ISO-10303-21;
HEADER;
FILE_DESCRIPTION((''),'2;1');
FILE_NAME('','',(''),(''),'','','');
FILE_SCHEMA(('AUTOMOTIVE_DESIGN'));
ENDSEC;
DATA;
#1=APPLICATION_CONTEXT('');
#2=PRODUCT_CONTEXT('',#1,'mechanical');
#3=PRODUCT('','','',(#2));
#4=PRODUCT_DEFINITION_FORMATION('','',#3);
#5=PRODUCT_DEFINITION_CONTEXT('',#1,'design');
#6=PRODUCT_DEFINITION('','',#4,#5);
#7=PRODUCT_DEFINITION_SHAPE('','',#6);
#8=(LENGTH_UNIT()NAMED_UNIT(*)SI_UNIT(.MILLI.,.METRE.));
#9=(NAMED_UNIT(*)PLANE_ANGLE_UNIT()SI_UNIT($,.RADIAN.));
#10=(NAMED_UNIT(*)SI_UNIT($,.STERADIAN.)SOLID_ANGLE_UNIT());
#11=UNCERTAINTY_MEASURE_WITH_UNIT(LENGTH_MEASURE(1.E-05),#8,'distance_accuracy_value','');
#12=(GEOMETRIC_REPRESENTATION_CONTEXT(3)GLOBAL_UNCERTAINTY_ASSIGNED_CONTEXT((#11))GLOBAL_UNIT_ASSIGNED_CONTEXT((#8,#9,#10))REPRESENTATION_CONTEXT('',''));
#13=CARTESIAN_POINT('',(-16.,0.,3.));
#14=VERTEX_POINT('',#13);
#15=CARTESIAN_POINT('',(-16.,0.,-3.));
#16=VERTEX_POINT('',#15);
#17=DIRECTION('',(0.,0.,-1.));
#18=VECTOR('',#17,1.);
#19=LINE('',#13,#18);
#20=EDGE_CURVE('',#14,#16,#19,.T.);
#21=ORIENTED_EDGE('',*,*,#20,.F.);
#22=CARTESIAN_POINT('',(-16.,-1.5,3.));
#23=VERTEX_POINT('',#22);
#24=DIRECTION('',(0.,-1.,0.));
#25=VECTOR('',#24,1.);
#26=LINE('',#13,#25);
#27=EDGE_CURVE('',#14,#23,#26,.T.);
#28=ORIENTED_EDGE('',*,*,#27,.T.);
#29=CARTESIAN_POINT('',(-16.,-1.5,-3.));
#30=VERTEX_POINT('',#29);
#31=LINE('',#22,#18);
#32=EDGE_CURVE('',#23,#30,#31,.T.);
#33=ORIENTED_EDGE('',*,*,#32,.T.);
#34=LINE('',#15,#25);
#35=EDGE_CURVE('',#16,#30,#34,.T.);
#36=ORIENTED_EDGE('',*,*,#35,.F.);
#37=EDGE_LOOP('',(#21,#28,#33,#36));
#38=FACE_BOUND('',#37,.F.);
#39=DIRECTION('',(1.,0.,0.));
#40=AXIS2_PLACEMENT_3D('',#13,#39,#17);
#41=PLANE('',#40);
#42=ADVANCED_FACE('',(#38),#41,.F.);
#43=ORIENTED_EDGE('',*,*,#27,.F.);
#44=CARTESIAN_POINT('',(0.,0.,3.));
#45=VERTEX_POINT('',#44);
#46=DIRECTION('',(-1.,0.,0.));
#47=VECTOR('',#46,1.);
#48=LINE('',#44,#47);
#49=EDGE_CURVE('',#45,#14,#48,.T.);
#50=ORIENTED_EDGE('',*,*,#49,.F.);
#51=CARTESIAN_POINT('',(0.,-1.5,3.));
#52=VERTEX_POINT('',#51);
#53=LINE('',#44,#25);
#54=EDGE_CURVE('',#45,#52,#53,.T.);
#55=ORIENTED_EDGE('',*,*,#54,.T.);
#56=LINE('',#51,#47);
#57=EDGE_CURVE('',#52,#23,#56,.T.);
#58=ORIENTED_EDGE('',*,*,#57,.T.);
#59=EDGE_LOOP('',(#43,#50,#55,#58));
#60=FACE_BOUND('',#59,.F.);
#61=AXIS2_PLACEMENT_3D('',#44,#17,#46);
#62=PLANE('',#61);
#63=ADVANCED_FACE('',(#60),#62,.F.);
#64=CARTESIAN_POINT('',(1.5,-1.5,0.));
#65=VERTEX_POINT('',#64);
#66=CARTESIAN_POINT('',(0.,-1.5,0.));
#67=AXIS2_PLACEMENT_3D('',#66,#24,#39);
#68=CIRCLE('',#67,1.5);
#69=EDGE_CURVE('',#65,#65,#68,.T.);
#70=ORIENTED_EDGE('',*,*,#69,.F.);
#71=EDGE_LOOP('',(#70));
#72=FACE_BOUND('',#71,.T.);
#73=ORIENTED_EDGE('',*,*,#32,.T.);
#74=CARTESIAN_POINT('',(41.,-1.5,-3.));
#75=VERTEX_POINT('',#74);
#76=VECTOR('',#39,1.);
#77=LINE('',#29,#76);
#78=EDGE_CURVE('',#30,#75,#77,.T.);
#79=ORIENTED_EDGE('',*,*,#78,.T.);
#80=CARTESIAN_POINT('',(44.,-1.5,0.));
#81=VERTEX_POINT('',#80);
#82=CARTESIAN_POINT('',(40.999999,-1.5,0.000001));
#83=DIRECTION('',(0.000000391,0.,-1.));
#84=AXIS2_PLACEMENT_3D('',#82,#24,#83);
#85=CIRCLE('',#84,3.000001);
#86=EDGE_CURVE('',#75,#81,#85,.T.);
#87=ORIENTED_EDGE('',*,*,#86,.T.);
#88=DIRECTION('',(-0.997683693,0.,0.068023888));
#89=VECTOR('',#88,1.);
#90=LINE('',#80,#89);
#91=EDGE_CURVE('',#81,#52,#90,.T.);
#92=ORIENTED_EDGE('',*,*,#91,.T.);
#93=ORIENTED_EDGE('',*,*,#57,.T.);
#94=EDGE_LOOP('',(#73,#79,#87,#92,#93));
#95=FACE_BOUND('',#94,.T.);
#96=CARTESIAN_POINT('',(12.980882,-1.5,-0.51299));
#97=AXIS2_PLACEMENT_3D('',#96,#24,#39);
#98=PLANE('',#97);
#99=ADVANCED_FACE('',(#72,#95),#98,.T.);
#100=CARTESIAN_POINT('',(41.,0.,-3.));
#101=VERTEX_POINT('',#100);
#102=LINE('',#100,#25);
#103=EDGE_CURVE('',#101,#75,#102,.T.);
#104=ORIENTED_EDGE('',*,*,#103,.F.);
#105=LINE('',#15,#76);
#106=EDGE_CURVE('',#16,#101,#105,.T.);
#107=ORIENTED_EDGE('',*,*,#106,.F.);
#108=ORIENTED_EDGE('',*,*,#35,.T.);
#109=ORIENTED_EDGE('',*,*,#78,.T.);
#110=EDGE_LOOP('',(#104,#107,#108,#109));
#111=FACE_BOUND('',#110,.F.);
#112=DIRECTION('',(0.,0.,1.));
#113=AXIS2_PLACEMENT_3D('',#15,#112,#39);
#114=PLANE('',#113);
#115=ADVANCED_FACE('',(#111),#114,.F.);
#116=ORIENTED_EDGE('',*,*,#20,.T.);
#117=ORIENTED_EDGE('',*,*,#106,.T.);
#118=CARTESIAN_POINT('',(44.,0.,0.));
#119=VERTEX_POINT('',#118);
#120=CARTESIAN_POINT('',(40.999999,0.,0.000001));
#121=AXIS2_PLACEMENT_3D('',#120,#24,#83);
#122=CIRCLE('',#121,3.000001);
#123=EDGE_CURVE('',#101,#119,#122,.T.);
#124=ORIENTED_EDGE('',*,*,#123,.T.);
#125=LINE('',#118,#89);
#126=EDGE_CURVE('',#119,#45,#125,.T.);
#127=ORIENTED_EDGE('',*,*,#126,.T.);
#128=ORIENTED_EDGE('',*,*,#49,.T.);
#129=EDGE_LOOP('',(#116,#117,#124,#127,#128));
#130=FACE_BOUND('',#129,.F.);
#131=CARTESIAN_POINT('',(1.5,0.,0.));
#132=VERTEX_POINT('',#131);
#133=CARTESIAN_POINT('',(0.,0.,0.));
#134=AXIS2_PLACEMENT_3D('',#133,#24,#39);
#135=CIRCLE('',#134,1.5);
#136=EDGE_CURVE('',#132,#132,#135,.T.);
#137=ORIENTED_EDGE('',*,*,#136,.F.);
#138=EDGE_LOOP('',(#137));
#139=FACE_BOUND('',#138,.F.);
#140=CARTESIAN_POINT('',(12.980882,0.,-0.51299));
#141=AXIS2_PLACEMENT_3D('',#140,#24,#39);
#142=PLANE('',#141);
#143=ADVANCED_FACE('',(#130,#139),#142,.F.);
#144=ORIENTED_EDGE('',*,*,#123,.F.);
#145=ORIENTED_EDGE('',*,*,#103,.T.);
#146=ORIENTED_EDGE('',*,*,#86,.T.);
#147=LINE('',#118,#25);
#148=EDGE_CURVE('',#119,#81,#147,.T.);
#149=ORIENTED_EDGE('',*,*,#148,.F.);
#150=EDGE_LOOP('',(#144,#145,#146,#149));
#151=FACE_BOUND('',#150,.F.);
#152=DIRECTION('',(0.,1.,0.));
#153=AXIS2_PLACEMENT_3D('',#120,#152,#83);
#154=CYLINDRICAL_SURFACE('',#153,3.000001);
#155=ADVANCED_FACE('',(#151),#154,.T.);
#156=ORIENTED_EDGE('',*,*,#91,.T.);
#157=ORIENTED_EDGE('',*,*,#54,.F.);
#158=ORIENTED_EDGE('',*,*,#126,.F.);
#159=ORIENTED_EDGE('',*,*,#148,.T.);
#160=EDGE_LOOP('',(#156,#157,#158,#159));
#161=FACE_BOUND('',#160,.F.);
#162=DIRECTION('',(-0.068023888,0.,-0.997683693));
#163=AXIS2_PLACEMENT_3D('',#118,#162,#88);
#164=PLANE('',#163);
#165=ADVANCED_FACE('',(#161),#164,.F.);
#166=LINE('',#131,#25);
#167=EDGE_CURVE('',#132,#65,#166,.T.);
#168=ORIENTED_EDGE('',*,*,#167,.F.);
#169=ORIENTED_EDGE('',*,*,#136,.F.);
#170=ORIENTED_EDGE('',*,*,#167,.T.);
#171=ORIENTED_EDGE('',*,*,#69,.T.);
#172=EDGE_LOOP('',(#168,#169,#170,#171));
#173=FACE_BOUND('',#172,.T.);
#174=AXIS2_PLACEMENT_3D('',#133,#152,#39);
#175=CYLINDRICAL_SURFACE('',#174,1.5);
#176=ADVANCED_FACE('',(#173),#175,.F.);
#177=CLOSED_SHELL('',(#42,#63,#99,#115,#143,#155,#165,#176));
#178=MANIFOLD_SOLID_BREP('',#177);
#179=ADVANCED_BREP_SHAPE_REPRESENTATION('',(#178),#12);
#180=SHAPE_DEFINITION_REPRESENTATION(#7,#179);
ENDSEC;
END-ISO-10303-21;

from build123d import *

# Parameters (mm, degrees)
F0_R     = 1.5
F1_DEPTH = 1.5


with BuildPart() as f1:
    # F0 (on Front) → F1 (new body)
    with BuildSketch(Plane.XZ):
        with BuildLine():
            Line((0, 3), (-16, 3))
            Line((-16, 3), (-16, -3))
            Line((-16, -3), (41, -3))
            ThreePointArc((41, -3), (43.12132, -2.12132), (44, 0))
            Line((44, 0), (0, 3))
        make_face()
        Circle(F0_R, mode=Mode.SUBTRACT)
    extrude(amount=F1_DEPTH)


solid = f1.part
